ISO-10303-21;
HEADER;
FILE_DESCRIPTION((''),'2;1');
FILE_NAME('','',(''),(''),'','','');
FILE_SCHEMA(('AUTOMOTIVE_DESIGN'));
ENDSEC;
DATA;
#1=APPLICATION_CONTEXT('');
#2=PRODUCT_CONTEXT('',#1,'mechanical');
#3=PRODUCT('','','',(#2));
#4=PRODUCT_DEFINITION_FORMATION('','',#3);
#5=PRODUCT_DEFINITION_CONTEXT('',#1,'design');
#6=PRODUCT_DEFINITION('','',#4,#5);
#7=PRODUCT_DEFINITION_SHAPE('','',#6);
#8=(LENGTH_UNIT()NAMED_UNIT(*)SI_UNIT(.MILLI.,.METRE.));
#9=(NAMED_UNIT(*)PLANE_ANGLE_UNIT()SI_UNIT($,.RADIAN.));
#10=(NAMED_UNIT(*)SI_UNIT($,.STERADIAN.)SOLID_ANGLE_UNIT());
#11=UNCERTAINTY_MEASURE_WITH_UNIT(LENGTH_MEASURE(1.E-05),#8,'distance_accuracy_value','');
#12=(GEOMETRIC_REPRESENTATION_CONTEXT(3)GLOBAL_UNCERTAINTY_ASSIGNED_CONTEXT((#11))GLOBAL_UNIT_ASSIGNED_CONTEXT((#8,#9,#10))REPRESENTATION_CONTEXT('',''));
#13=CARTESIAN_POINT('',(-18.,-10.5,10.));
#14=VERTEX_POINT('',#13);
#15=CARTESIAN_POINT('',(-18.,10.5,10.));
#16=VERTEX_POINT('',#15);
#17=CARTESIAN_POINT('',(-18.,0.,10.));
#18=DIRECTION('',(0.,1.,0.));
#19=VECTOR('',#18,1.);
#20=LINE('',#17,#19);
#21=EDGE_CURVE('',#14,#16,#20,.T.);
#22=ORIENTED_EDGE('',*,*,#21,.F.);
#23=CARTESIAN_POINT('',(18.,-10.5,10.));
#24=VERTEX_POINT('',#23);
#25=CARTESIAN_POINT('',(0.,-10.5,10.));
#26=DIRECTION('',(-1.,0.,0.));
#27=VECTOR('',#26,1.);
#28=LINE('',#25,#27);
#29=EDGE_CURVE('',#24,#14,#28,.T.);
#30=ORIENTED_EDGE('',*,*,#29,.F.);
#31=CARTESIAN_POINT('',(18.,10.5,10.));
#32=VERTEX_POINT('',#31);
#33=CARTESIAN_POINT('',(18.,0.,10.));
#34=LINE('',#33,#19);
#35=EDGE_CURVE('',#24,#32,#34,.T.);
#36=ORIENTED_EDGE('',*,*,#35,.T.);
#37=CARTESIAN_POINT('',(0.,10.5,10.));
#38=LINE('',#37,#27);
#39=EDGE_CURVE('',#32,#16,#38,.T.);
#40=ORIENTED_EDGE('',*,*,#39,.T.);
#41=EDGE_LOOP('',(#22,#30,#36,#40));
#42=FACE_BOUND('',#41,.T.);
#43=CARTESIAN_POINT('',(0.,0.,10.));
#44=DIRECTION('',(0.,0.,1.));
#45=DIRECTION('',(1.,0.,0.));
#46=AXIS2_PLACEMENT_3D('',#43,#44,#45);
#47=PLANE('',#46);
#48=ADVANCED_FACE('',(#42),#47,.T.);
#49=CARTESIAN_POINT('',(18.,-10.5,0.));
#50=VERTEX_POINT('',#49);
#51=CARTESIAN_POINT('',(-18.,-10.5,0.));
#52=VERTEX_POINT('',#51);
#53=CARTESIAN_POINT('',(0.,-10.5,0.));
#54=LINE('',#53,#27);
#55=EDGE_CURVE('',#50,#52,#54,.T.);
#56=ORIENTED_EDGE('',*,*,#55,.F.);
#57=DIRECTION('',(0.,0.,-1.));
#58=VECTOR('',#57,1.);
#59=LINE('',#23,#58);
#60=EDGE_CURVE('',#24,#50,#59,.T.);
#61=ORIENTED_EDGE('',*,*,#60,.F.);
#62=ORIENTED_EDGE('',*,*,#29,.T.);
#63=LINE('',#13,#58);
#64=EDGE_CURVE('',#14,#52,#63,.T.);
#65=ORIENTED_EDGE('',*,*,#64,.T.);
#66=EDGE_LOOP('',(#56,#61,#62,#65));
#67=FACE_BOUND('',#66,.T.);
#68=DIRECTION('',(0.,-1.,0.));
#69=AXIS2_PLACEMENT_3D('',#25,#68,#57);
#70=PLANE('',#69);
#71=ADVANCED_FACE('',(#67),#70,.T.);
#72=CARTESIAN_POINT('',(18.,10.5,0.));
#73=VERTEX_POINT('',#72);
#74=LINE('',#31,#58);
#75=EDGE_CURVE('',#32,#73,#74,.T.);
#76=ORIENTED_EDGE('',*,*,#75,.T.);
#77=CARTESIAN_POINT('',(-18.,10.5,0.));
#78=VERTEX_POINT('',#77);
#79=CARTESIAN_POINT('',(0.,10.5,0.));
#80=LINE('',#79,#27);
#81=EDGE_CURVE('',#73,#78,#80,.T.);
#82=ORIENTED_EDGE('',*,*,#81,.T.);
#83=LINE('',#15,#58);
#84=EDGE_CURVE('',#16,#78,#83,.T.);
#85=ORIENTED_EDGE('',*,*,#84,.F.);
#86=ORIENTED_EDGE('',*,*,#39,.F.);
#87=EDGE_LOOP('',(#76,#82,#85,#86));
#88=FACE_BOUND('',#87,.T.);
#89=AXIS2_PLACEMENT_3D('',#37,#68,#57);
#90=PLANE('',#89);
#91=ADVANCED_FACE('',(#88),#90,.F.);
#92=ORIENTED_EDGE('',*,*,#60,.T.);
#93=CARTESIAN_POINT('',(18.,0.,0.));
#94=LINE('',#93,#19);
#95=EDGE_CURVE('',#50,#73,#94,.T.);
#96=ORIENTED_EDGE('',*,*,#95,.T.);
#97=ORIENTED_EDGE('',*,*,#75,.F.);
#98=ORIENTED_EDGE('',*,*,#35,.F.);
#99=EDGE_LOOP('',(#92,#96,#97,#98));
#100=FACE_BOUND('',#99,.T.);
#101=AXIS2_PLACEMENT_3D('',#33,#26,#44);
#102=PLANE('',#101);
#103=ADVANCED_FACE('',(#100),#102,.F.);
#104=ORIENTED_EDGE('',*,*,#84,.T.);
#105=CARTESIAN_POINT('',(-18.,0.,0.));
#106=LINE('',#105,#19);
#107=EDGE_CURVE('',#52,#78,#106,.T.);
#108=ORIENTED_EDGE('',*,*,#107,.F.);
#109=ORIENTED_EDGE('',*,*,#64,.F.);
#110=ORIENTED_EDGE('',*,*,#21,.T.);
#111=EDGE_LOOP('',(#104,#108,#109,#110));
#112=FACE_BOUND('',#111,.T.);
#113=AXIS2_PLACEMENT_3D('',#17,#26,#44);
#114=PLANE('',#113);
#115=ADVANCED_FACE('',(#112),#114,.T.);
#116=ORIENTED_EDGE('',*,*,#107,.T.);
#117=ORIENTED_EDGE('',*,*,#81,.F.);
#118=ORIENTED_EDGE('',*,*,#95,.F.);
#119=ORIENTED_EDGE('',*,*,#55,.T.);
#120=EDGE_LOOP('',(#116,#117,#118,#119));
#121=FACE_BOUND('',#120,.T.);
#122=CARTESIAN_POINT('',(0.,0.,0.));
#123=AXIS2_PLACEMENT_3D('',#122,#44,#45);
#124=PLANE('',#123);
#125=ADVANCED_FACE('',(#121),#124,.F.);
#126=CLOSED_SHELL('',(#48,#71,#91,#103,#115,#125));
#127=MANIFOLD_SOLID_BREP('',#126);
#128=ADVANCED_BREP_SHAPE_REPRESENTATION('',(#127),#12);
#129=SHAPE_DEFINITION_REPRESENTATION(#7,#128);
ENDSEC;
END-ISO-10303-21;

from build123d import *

# Parameters (mm, degrees)
SKETCH_1_W      = 36
SKETCH_1_H      = 21
SKETCH_1_R      = 1.25
SKETCH_1_R_2    = 1.3
SKETCH_1_R_3    = 1.35
EXTRUDE_1_DEPTH = 10


with BuildPart() as part:
    # 스케치1 → 보스-돌출1 (new body)
    with BuildSketch(Plane.XY):
        Rectangle(SKETCH_1_W, SKETCH_1_H)
        with Locations((-3.5, -8)):
            Circle(SKETCH_1_R, mode=Mode.SUBTRACT)
        with Locations((3.5, -8)):
            Circle(SKETCH_1_R, mode=Mode.SUBTRACT)
        with Locations((-12, 6)):
            Circle(SKETCH_1_R_2, mode=Mode.SUBTRACT)
        with Locations((12, 6)):
            Circle(SKETCH_1_R_2, mode=Mode.SUBTRACT)
        with Locations((12, -6)):
            Circle(SKETCH_1_R_2, mode=Mode.SUBTRACT)
        with Locations((-12, -6)):
            Circle(SKETCH_1_R_2, mode=Mode.SUBTRACT)
        with Locations((3.5, 8)):
            Circle(SKETCH_1_R_3, mode=Mode.SUBTRACT)
        with Locations((-3.5, 8)):
            Circle(SKETCH_1_R_3, mode=Mode.SUBTRACT)
        with Locations((12, -6)):
            Circle(SKETCH_1_R_2)
        with Locations((3.5, -8)):
            Circle(SKETCH_1_R)
        with Locations((-3.5, -8)):
            Circle(SKETCH_1_R)
        with Locations((-12, -6)):
            Circle(SKETCH_1_R_2)
        with Locations((-12, 6)):
            Circle(SKETCH_1_R_2)
        with Locations((-3.5, 8)):
            Circle(SKETCH_1_R_3)
        with Locations((3.5, 8)):
            Circle(SKETCH_1_R_3)
        with Locations((12, 6)):
            Circle(SKETCH_1_R_2)
    extrude(amount=EXTRUDE_1_DEPTH)


solid = part.part
